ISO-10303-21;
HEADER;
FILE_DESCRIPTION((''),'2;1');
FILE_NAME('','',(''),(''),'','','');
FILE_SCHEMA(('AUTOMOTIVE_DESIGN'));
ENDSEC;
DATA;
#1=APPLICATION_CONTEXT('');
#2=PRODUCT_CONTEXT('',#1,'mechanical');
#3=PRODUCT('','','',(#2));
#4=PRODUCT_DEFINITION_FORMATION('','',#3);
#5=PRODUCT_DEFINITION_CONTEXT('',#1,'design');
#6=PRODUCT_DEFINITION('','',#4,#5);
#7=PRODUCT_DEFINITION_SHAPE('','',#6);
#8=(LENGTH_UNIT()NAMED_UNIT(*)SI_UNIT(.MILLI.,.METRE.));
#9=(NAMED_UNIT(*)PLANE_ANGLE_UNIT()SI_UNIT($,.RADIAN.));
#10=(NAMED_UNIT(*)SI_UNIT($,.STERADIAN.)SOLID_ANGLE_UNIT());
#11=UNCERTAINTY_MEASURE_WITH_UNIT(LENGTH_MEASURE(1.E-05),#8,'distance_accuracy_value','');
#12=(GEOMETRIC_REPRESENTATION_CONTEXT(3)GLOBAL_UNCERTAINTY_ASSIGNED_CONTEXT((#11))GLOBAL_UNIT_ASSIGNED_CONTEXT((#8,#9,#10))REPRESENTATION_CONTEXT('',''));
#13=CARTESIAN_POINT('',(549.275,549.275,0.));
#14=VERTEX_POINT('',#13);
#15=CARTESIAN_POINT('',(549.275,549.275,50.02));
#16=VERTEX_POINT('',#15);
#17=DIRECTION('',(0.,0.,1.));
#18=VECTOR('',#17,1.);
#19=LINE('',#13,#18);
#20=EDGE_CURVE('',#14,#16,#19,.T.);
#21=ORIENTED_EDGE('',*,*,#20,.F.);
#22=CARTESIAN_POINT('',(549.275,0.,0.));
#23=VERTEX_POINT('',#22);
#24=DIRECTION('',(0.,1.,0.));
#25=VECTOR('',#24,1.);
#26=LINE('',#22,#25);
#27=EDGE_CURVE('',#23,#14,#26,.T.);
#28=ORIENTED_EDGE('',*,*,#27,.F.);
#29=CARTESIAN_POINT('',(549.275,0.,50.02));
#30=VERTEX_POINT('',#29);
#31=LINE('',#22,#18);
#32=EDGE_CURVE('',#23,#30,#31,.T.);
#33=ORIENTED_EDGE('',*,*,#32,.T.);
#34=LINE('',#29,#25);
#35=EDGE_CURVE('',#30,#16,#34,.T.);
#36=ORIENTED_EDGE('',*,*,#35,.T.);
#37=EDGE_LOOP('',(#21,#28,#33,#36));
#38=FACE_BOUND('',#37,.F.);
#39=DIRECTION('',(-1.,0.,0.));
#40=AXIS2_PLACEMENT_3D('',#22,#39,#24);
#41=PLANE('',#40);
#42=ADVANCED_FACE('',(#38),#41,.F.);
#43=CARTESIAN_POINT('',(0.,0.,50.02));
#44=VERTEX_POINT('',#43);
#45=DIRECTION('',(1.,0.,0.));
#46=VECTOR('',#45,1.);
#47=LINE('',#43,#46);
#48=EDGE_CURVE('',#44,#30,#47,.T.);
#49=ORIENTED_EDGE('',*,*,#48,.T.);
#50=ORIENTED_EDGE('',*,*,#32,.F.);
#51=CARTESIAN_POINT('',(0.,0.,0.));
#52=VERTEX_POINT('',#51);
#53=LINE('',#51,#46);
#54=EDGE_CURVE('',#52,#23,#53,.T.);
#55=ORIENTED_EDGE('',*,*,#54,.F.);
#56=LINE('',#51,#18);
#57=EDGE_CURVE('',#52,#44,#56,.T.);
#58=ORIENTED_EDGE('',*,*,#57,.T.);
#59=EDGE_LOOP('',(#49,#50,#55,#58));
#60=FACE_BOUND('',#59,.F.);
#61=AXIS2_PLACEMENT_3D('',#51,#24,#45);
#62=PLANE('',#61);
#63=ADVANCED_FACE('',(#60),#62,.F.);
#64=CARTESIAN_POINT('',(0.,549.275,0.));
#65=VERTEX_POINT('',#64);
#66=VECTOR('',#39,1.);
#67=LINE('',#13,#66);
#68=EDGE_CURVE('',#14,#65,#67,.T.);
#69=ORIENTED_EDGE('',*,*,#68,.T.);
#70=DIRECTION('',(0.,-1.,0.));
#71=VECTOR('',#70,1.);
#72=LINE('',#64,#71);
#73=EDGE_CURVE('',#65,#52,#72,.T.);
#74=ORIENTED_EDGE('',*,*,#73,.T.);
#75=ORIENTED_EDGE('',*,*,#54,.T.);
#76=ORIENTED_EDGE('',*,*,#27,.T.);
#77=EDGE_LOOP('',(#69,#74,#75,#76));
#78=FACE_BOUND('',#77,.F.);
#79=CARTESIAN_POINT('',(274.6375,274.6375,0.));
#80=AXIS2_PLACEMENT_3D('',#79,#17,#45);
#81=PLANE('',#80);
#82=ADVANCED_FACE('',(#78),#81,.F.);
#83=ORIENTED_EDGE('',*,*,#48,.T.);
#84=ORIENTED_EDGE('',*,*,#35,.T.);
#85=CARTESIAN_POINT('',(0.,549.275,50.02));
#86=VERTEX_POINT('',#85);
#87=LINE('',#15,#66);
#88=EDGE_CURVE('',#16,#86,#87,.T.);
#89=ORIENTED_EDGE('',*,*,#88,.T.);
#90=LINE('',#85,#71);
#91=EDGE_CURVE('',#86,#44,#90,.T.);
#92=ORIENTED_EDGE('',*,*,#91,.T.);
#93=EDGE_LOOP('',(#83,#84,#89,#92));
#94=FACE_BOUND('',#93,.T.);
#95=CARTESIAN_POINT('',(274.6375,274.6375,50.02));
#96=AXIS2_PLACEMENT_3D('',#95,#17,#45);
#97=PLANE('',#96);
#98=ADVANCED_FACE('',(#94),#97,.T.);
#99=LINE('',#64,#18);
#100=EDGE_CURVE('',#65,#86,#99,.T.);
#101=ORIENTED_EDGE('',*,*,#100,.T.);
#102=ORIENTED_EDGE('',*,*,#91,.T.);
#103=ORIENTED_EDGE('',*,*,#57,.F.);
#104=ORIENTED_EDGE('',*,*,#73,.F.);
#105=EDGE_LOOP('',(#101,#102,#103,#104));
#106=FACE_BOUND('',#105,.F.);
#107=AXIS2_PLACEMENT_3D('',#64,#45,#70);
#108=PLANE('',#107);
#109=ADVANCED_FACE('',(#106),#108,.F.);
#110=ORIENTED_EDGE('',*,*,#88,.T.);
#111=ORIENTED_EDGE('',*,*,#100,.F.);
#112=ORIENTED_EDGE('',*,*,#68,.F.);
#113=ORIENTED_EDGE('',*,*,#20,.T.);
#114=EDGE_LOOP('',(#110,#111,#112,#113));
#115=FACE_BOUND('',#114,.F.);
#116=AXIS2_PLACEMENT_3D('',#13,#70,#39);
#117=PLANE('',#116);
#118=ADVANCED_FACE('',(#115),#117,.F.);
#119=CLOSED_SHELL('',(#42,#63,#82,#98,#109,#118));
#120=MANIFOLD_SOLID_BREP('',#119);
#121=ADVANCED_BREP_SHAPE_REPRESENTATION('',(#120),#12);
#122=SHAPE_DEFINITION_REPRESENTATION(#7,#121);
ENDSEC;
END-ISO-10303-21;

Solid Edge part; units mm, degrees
sketch "Sketch1" plane through (0, 0, 0) normal (0, 0, 1) x (1, 0, 0)
  line L0 (0, 0) -> (549.275, 0)
  line L1 (549.275, 0) -> (549.275, 549.275)
  line L2 (549.275, 549.275) -> (0, 549.275)
  line L3 (0, 549.275) -> (0, 0)
  dimension "D1" = 549.275
  dimension "D2" = 549.275
extrude "Ajout_matière_1" add sketch "Sketch1" along normal blind 50.02
properties material "Bois Epinette"
